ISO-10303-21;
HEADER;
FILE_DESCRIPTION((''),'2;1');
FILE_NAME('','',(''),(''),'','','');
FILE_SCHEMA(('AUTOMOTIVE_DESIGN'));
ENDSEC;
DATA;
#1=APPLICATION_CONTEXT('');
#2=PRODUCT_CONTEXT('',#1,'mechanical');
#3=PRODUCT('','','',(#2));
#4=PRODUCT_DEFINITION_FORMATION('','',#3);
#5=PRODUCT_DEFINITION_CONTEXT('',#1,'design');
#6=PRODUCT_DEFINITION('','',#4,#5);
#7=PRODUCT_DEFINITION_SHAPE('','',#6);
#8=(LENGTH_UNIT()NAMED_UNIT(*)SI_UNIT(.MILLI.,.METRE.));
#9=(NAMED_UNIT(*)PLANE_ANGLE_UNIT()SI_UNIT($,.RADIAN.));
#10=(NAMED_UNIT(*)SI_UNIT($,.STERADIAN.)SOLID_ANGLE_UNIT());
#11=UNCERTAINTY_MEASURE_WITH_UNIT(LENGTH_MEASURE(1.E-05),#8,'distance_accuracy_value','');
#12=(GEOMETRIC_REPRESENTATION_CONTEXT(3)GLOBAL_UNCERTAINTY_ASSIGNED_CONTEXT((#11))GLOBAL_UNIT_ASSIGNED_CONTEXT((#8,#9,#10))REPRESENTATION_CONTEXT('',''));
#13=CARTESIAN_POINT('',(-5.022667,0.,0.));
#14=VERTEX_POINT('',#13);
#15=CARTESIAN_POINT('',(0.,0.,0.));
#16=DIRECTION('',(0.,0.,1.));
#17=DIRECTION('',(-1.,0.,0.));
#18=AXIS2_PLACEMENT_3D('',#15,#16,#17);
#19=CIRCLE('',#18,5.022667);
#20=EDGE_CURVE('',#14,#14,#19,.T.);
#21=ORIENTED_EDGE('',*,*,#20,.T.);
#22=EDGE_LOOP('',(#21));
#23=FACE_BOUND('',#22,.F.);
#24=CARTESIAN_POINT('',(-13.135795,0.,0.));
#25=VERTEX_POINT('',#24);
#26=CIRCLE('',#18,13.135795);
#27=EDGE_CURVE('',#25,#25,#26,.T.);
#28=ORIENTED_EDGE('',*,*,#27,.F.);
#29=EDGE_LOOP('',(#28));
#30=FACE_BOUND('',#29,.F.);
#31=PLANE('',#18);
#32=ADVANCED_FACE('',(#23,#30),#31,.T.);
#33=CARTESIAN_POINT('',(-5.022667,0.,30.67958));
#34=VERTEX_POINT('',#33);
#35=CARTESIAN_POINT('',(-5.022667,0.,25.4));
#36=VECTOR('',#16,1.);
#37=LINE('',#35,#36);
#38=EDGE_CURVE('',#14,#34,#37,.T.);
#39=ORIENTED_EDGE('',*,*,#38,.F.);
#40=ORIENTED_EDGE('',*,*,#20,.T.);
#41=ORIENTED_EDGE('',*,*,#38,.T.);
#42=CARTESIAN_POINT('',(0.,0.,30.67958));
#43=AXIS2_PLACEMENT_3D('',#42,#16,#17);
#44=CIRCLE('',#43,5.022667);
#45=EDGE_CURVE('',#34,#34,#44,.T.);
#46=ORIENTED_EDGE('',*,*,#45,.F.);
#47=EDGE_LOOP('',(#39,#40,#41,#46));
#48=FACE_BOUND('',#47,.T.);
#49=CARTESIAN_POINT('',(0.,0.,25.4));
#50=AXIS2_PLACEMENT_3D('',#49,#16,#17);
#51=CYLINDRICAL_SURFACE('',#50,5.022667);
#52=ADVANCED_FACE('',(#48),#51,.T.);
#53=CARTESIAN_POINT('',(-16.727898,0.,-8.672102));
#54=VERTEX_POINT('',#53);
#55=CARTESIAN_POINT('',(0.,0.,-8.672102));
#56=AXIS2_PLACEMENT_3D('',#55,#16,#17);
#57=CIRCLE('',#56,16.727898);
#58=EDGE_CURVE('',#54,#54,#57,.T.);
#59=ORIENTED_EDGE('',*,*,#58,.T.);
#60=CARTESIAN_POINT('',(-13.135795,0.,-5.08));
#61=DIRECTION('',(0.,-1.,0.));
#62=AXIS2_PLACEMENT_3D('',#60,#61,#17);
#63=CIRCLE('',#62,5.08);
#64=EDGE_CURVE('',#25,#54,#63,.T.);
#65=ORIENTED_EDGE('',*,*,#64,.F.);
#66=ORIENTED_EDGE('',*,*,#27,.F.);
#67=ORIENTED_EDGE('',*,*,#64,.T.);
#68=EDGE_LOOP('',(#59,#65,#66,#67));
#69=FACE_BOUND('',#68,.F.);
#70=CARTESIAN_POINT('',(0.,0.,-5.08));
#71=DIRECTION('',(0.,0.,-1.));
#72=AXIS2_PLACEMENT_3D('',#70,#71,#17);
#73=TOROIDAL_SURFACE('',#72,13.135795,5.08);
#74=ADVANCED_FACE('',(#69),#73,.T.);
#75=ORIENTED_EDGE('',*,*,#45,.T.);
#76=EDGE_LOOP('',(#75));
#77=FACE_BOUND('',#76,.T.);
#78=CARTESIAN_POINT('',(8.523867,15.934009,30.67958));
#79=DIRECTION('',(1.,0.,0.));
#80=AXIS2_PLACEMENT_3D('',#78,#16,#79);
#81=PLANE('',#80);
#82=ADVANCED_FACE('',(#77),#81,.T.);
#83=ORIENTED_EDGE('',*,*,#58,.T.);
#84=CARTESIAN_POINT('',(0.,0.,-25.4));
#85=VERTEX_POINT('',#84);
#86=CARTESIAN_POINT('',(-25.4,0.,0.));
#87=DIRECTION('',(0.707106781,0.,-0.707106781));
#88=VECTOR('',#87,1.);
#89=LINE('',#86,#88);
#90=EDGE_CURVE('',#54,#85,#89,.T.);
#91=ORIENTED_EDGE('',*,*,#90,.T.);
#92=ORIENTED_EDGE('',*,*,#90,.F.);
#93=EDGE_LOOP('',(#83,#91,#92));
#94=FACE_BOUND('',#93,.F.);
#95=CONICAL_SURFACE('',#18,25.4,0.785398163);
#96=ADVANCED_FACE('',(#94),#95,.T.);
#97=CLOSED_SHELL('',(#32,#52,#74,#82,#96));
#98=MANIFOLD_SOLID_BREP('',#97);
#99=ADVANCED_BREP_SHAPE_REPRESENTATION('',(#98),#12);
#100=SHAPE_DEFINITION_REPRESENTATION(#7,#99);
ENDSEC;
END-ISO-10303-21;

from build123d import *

# Parameters (mm, degrees)
F0_W     = 5.0226673484
F0_H     = 50.8
F2_R     = 5.08
F4_W     = 74.5882093906
F4_H     = 114.3385246396
F5_DEPTH = 21.6480400413


with BuildPart() as f1:
    # F0 (on Front) → F1 (revolve)
    with BuildSketch(Plane.XZ):
        Polygon((0, -25.4), (0, 0), (-5.0226673484, 0), (-25.4, 0), align=None)
        with Locations((-2.5113336742, 25.4)):
            Rectangle(F0_W, F0_H)
    revolve(axis=Axis((0, 0, 25.4), (0, 0, 1)))

    # F2
    f2_edges = [f1.edges().sort_by_distance(p)[0] for p in [
        (25.4, 0, 0),
    ]]
    fillet(f2_edges, radius=F2_R)

    # F4 (on offset) → F5 (cut)
    with BuildSketch(Plane.XY.offset(52.3276198655)):
        with Locations((8.5238665342, 15.934009105)):
            Rectangle(F4_W, F4_H)
    extrude(amount=-F5_DEPTH, mode=Mode.SUBTRACT)


solid = f1.part
